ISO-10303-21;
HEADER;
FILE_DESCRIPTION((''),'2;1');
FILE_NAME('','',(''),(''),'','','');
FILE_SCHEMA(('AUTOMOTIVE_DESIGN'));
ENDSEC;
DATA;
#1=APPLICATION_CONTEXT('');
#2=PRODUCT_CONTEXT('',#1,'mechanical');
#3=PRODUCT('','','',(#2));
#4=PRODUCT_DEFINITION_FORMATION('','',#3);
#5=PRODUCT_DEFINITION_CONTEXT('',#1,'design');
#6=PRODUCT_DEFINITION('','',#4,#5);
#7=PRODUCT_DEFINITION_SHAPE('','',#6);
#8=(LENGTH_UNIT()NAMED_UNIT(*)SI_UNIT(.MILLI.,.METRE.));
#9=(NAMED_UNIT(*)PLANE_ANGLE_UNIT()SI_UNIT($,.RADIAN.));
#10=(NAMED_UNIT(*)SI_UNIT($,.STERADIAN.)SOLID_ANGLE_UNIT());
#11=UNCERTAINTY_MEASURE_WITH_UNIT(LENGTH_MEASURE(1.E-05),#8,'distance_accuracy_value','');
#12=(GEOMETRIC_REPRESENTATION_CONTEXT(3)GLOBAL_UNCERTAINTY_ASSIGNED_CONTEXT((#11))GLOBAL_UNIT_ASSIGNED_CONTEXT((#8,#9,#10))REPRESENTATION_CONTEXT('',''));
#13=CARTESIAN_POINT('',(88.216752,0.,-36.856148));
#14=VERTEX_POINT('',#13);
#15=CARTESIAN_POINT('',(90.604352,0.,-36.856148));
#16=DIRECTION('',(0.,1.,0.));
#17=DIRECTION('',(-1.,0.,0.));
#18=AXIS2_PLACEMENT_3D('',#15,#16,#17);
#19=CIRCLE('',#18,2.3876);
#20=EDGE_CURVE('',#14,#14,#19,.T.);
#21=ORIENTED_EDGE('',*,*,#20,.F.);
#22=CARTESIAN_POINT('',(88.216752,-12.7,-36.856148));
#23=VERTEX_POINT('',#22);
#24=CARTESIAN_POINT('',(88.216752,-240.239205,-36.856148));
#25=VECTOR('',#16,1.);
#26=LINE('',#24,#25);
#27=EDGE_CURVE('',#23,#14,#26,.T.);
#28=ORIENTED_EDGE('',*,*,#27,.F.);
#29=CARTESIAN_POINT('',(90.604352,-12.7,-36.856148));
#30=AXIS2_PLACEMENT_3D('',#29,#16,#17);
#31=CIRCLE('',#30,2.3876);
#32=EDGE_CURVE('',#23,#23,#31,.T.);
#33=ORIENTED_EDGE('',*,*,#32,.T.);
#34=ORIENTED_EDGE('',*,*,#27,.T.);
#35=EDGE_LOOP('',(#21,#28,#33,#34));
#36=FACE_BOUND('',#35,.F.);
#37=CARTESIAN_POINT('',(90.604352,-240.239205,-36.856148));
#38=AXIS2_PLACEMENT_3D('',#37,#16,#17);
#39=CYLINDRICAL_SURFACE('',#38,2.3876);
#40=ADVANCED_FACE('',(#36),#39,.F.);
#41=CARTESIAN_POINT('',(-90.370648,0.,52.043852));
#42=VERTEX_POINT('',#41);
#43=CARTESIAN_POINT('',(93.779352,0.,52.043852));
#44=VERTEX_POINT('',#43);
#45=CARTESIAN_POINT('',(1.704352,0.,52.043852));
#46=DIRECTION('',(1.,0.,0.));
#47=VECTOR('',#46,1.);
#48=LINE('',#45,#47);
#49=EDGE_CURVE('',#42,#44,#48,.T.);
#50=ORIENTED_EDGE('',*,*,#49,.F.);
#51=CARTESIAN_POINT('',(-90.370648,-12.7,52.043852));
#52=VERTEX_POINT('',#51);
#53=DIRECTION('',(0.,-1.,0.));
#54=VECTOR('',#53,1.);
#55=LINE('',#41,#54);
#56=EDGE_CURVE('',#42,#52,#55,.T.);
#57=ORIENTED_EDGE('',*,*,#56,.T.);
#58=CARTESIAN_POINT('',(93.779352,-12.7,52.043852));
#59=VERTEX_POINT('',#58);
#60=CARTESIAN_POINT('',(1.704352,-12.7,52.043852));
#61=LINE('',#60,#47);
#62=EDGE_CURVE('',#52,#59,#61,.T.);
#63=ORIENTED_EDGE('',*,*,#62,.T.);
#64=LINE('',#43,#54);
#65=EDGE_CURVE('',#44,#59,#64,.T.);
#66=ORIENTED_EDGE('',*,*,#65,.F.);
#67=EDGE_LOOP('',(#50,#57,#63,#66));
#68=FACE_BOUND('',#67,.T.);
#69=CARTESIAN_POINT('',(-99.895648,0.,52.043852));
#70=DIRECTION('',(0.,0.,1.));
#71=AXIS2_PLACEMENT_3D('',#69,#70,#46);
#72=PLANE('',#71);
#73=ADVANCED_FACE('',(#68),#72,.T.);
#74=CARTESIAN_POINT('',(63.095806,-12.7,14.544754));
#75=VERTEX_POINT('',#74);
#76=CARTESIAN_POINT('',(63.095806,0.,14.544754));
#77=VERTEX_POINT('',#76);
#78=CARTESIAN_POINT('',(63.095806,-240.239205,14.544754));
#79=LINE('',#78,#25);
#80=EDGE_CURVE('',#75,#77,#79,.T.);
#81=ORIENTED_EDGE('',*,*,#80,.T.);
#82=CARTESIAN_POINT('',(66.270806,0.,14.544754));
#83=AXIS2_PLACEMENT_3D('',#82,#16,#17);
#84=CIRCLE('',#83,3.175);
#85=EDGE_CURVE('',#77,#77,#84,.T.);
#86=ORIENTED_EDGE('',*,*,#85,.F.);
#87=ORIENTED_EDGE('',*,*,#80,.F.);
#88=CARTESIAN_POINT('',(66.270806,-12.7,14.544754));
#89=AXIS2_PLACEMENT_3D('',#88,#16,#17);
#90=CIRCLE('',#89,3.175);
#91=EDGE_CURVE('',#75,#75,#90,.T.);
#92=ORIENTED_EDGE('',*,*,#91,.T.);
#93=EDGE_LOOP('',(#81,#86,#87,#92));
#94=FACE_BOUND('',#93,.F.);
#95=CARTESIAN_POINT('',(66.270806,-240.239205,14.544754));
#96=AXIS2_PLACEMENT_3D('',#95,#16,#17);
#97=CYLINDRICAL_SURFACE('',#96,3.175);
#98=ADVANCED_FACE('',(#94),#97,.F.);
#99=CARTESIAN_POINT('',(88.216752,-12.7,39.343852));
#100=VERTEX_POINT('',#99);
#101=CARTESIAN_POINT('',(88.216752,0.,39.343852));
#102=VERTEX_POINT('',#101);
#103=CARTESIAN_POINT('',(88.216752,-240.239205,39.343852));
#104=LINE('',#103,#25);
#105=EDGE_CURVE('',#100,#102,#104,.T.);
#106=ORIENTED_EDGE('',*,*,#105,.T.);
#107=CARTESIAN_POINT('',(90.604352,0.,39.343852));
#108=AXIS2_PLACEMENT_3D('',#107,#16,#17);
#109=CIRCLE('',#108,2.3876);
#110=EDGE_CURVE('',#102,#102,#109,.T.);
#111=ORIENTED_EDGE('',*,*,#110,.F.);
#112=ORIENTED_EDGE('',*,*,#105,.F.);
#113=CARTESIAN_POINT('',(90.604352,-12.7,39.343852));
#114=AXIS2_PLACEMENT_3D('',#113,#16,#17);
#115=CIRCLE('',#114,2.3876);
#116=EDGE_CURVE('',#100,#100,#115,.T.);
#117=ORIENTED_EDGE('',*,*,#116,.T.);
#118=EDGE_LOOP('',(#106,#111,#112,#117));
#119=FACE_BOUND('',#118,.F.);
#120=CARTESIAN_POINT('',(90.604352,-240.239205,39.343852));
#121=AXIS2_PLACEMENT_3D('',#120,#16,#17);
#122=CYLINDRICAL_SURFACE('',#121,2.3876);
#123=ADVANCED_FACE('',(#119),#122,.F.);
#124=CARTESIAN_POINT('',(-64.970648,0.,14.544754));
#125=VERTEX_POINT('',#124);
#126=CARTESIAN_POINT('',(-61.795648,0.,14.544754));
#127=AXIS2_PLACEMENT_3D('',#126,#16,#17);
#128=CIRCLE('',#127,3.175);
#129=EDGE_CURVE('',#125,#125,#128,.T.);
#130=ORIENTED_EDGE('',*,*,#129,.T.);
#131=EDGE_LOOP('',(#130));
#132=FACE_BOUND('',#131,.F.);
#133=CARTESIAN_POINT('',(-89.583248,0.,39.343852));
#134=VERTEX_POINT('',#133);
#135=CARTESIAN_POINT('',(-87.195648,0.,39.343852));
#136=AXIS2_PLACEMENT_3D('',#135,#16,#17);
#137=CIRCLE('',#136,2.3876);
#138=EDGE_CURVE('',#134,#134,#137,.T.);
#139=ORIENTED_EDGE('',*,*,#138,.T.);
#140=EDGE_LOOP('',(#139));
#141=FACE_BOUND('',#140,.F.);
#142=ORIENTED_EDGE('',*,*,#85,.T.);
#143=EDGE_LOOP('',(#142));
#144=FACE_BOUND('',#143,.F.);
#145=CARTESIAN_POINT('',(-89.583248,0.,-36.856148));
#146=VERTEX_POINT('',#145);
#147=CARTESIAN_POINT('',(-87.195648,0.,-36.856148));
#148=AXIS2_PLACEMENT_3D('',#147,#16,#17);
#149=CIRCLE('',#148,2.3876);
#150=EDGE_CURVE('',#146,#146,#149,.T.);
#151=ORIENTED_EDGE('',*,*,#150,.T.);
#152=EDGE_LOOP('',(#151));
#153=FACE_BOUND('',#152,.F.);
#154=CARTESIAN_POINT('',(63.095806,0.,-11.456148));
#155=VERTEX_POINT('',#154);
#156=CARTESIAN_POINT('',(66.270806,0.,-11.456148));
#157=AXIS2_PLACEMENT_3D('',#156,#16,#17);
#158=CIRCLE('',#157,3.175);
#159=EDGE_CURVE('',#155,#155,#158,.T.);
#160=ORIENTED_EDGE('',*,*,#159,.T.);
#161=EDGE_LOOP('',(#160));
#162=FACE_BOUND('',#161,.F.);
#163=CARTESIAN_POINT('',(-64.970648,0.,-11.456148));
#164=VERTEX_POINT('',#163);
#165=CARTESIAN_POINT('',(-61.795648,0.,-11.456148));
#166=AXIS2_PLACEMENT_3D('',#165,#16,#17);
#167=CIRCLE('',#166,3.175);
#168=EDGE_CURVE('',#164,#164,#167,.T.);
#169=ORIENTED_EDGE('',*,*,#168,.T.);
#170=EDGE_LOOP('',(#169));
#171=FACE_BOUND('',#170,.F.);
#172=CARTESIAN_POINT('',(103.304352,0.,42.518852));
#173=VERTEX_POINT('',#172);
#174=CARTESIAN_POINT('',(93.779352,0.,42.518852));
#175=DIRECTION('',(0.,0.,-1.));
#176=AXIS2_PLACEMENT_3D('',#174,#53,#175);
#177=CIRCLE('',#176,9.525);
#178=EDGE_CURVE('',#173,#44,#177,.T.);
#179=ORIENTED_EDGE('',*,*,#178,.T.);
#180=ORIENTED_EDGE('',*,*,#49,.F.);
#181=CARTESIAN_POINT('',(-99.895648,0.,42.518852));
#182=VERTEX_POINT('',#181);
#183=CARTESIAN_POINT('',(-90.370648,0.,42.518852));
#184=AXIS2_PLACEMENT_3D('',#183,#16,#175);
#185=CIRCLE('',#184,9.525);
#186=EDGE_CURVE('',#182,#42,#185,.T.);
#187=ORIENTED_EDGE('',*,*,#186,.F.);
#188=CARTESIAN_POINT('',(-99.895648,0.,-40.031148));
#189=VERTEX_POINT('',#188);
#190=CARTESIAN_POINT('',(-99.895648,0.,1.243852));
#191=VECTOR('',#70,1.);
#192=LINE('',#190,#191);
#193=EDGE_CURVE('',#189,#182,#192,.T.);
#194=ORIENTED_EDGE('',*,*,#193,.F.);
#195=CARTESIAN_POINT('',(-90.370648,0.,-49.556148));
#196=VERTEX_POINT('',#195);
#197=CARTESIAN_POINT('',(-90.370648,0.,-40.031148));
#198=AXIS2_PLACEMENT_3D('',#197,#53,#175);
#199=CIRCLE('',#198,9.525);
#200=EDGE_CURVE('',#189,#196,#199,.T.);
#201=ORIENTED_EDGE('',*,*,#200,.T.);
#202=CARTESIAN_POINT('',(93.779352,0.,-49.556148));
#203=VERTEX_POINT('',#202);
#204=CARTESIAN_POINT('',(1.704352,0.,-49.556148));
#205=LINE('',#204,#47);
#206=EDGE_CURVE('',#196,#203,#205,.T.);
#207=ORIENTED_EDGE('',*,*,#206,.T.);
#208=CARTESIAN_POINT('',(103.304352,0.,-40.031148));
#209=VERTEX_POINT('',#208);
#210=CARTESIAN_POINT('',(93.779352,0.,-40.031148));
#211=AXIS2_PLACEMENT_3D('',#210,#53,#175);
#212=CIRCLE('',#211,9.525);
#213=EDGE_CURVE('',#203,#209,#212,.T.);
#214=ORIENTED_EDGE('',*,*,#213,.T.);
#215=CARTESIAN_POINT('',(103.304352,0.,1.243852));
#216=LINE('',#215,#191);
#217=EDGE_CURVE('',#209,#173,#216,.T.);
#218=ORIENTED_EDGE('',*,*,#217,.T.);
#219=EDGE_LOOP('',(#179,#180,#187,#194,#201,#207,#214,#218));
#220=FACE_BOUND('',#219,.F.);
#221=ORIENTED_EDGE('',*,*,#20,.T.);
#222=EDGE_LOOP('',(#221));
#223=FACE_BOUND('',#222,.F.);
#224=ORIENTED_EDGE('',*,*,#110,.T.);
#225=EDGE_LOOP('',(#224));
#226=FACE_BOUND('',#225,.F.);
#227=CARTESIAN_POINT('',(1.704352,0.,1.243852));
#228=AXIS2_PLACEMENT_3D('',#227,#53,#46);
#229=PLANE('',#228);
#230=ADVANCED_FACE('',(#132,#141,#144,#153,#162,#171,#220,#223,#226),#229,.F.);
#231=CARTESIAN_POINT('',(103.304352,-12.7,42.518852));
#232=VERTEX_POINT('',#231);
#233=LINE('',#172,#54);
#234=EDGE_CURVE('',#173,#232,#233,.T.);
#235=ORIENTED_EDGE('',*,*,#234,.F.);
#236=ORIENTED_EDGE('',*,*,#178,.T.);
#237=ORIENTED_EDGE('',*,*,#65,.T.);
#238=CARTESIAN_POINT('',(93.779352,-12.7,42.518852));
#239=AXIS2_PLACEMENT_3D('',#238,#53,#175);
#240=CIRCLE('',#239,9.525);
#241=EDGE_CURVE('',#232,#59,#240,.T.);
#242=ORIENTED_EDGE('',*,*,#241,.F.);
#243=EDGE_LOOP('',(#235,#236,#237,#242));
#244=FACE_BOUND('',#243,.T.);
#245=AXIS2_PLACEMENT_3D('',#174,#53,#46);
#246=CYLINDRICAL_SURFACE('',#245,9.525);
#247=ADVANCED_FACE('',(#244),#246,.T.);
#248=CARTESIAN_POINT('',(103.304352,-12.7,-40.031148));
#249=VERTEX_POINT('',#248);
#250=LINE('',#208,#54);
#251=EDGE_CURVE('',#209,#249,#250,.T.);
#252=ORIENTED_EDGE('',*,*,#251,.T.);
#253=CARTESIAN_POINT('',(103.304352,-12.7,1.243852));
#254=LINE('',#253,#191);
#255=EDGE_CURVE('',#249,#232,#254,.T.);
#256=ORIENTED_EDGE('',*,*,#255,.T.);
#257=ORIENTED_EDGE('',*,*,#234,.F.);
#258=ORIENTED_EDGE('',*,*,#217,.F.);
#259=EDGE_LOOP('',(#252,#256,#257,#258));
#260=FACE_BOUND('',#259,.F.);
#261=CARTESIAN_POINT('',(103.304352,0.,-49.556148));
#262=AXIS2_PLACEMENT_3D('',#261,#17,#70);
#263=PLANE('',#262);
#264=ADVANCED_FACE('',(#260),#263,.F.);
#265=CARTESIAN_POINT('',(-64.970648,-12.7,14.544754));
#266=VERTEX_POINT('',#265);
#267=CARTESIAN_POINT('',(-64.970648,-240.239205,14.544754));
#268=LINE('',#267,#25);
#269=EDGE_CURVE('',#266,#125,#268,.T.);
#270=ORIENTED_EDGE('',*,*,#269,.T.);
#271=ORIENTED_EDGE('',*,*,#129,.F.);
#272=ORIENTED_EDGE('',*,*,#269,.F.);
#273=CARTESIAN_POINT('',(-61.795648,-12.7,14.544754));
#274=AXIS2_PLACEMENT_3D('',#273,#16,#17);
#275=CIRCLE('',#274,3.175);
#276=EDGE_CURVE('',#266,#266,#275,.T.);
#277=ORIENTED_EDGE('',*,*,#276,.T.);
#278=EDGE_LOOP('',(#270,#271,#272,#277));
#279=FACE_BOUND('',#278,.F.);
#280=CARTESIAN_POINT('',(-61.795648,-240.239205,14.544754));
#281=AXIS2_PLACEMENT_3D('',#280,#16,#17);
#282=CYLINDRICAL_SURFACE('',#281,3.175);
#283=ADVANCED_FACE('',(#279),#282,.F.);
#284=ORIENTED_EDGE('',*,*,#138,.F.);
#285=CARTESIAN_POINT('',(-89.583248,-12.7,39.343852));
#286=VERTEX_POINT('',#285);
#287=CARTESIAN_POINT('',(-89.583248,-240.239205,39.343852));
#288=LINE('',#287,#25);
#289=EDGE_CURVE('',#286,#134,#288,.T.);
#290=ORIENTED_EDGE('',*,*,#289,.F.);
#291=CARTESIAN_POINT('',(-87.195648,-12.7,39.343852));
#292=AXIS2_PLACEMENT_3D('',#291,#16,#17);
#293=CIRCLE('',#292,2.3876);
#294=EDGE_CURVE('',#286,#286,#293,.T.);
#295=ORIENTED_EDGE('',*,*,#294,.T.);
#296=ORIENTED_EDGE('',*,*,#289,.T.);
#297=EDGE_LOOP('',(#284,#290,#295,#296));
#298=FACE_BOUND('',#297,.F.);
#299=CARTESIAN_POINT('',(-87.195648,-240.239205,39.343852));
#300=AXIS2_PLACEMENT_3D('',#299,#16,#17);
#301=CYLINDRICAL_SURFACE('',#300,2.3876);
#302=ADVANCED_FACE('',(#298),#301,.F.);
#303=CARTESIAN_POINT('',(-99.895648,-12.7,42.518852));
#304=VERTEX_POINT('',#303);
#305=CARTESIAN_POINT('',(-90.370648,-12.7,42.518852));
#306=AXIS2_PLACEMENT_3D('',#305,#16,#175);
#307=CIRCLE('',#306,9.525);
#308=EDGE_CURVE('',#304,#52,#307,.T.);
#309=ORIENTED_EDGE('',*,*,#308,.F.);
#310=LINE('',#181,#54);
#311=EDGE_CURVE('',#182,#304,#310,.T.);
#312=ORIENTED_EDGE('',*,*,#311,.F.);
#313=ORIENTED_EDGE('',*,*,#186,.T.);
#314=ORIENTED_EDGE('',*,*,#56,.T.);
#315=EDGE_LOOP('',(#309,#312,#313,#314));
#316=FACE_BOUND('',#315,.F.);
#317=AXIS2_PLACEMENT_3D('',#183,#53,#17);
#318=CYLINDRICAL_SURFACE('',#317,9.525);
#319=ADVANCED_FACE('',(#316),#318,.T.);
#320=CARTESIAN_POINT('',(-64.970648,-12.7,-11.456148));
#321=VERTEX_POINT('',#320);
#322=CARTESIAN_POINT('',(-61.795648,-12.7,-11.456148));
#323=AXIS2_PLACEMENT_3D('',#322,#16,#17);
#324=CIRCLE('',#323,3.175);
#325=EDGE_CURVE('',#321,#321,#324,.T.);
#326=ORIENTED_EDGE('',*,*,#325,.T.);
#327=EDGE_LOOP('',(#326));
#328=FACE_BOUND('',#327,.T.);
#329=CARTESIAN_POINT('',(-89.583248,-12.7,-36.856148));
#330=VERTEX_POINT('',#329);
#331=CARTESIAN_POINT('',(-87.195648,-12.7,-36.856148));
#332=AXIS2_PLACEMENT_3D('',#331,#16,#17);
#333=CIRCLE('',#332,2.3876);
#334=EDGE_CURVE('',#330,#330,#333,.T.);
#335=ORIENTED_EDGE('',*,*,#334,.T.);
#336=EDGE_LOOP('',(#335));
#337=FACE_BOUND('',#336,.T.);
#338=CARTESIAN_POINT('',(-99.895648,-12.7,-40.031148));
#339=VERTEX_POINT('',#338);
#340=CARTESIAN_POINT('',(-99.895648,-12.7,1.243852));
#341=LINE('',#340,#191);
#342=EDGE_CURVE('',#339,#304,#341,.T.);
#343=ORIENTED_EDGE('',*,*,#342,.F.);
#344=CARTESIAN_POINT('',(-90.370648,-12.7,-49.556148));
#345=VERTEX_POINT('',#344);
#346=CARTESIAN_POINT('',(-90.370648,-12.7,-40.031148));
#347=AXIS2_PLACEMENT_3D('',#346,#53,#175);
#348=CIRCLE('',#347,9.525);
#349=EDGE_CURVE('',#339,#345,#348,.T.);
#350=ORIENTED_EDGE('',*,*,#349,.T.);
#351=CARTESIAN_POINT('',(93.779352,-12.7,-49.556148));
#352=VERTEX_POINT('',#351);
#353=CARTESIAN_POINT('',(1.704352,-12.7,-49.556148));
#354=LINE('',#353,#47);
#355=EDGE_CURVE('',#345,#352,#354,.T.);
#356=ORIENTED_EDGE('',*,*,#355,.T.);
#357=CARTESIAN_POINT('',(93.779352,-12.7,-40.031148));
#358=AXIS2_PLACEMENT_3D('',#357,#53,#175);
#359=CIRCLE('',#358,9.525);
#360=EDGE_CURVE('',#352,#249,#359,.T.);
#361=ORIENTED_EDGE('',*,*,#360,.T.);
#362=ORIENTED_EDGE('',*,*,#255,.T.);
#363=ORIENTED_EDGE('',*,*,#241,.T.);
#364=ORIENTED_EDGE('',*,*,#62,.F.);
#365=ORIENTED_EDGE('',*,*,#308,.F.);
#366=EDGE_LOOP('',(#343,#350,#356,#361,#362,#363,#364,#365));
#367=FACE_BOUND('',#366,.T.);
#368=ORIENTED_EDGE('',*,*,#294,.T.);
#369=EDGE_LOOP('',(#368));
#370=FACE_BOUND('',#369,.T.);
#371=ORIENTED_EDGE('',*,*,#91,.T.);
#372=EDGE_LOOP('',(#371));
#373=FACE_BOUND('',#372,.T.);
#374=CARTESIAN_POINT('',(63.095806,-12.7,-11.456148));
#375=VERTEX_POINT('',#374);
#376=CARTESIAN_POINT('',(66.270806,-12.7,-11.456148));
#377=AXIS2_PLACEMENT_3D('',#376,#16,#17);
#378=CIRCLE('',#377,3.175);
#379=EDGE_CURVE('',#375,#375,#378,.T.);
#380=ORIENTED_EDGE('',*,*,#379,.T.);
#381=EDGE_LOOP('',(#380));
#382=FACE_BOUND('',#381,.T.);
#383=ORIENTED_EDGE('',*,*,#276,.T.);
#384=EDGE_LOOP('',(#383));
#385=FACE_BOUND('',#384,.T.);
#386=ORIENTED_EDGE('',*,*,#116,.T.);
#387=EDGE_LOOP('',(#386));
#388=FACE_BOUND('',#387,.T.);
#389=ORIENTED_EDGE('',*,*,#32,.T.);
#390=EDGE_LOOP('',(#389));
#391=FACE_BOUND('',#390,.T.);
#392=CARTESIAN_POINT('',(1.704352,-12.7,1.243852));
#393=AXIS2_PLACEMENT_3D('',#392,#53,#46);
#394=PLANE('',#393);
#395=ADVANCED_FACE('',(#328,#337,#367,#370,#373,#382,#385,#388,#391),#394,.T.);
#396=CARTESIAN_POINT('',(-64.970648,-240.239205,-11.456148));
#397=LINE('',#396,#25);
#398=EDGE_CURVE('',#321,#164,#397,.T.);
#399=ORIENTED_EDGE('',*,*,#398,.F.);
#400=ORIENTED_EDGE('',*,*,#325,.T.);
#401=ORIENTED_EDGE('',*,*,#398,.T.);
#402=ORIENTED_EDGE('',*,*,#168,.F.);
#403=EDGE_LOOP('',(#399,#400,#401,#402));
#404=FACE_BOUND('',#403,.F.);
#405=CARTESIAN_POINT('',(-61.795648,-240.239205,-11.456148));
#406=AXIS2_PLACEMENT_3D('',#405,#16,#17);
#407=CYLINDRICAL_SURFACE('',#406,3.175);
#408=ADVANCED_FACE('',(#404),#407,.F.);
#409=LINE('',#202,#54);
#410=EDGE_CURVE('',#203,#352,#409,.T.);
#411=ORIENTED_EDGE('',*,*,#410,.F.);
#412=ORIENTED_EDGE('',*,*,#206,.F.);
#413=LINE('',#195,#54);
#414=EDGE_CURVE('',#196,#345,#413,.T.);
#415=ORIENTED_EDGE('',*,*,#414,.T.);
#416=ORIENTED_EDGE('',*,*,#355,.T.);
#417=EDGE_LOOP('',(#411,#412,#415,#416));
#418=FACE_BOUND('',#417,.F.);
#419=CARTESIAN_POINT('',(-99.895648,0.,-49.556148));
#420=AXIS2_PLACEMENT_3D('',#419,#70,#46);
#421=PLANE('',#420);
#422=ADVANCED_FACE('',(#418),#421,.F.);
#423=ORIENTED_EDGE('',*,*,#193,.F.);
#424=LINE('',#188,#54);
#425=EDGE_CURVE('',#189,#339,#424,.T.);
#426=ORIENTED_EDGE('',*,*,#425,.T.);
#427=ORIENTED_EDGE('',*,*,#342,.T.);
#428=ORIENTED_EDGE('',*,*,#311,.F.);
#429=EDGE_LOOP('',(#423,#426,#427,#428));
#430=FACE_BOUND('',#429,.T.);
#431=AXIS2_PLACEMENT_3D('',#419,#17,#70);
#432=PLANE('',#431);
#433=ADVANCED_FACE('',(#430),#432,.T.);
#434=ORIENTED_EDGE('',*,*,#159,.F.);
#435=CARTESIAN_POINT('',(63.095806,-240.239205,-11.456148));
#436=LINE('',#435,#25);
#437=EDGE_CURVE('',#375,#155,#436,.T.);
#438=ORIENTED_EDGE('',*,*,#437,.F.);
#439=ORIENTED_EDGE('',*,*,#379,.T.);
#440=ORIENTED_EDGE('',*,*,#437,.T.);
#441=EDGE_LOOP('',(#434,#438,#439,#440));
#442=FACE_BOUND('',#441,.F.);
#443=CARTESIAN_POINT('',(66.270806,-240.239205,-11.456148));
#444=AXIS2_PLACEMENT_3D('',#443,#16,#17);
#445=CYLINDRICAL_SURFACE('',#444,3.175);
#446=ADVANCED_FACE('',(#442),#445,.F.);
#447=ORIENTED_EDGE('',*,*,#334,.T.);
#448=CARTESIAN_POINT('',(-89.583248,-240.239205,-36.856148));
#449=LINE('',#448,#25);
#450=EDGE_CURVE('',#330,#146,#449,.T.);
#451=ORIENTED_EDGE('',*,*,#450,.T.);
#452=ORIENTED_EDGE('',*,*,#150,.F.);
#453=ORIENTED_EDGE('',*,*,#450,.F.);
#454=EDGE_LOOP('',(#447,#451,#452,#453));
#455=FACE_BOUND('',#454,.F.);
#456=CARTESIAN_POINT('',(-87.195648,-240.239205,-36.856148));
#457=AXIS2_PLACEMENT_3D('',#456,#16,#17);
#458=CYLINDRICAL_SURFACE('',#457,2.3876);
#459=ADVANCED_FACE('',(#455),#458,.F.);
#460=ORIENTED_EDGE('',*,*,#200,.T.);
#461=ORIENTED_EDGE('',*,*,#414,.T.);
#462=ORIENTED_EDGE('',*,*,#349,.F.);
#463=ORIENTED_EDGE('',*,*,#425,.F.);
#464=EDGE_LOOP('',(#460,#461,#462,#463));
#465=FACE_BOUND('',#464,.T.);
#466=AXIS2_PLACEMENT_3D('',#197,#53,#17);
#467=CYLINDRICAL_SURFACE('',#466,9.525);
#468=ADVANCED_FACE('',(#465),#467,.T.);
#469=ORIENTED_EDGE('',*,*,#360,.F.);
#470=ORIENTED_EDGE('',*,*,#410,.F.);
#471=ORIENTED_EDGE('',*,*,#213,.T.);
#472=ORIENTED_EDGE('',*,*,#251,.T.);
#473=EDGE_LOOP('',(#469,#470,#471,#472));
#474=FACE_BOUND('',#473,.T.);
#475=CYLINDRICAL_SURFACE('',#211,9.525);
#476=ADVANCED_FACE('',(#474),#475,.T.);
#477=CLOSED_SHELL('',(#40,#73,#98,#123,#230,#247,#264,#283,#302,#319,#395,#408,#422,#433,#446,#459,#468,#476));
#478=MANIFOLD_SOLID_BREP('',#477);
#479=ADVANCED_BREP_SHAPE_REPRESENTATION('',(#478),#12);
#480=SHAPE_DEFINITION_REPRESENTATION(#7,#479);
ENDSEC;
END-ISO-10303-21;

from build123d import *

# Parameters (mm, degrees)
F0_W     = 203.2
F0_H     = 101.6
F1_DEPTH = 12.7
F2_R     = 9.525
F4_D     = 4.7752
F6_D     = 6.35


with BuildPart() as f1:
    # F0 (on Front) → F1 (new body)
    with BuildSketch(Plane.XZ):
        with Locations((1.704352, 1.243852)):
            Rectangle(F0_W, F0_H)
    extrude(amount=F1_DEPTH)

    # F2
    f2_edges = [f1.edges().sort_by_distance(p)[0] for p in [
        (-99.895648, -6.35, 52.043852),
        (103.304352, -6.35, 52.043852),
        (103.304352, -6.35, -49.556148),
        (-99.895648, -6.35, -49.556148),
    ]]
    fillet(f2_edges, radius=F2_R)

    # F4 (through all)
    with Locations(Plane.XZ.offset(12.7)):
        with Locations((-87.195648, -36.856148), (-87.195648, 39.343852), (90.604352, 39.343852), (90.604352, -36.856148)):
            Hole(F4_D / 2)

    # F6 (through all)
    with Locations(Plane.XZ.offset(12.7)):
        with Locations((-61.795648, 14.544754), (-61.795648, -11.456148), (66.270806, -11.456148), (66.270806, 14.544754)):
            Hole(F6_D / 2)


solid = f1.part
